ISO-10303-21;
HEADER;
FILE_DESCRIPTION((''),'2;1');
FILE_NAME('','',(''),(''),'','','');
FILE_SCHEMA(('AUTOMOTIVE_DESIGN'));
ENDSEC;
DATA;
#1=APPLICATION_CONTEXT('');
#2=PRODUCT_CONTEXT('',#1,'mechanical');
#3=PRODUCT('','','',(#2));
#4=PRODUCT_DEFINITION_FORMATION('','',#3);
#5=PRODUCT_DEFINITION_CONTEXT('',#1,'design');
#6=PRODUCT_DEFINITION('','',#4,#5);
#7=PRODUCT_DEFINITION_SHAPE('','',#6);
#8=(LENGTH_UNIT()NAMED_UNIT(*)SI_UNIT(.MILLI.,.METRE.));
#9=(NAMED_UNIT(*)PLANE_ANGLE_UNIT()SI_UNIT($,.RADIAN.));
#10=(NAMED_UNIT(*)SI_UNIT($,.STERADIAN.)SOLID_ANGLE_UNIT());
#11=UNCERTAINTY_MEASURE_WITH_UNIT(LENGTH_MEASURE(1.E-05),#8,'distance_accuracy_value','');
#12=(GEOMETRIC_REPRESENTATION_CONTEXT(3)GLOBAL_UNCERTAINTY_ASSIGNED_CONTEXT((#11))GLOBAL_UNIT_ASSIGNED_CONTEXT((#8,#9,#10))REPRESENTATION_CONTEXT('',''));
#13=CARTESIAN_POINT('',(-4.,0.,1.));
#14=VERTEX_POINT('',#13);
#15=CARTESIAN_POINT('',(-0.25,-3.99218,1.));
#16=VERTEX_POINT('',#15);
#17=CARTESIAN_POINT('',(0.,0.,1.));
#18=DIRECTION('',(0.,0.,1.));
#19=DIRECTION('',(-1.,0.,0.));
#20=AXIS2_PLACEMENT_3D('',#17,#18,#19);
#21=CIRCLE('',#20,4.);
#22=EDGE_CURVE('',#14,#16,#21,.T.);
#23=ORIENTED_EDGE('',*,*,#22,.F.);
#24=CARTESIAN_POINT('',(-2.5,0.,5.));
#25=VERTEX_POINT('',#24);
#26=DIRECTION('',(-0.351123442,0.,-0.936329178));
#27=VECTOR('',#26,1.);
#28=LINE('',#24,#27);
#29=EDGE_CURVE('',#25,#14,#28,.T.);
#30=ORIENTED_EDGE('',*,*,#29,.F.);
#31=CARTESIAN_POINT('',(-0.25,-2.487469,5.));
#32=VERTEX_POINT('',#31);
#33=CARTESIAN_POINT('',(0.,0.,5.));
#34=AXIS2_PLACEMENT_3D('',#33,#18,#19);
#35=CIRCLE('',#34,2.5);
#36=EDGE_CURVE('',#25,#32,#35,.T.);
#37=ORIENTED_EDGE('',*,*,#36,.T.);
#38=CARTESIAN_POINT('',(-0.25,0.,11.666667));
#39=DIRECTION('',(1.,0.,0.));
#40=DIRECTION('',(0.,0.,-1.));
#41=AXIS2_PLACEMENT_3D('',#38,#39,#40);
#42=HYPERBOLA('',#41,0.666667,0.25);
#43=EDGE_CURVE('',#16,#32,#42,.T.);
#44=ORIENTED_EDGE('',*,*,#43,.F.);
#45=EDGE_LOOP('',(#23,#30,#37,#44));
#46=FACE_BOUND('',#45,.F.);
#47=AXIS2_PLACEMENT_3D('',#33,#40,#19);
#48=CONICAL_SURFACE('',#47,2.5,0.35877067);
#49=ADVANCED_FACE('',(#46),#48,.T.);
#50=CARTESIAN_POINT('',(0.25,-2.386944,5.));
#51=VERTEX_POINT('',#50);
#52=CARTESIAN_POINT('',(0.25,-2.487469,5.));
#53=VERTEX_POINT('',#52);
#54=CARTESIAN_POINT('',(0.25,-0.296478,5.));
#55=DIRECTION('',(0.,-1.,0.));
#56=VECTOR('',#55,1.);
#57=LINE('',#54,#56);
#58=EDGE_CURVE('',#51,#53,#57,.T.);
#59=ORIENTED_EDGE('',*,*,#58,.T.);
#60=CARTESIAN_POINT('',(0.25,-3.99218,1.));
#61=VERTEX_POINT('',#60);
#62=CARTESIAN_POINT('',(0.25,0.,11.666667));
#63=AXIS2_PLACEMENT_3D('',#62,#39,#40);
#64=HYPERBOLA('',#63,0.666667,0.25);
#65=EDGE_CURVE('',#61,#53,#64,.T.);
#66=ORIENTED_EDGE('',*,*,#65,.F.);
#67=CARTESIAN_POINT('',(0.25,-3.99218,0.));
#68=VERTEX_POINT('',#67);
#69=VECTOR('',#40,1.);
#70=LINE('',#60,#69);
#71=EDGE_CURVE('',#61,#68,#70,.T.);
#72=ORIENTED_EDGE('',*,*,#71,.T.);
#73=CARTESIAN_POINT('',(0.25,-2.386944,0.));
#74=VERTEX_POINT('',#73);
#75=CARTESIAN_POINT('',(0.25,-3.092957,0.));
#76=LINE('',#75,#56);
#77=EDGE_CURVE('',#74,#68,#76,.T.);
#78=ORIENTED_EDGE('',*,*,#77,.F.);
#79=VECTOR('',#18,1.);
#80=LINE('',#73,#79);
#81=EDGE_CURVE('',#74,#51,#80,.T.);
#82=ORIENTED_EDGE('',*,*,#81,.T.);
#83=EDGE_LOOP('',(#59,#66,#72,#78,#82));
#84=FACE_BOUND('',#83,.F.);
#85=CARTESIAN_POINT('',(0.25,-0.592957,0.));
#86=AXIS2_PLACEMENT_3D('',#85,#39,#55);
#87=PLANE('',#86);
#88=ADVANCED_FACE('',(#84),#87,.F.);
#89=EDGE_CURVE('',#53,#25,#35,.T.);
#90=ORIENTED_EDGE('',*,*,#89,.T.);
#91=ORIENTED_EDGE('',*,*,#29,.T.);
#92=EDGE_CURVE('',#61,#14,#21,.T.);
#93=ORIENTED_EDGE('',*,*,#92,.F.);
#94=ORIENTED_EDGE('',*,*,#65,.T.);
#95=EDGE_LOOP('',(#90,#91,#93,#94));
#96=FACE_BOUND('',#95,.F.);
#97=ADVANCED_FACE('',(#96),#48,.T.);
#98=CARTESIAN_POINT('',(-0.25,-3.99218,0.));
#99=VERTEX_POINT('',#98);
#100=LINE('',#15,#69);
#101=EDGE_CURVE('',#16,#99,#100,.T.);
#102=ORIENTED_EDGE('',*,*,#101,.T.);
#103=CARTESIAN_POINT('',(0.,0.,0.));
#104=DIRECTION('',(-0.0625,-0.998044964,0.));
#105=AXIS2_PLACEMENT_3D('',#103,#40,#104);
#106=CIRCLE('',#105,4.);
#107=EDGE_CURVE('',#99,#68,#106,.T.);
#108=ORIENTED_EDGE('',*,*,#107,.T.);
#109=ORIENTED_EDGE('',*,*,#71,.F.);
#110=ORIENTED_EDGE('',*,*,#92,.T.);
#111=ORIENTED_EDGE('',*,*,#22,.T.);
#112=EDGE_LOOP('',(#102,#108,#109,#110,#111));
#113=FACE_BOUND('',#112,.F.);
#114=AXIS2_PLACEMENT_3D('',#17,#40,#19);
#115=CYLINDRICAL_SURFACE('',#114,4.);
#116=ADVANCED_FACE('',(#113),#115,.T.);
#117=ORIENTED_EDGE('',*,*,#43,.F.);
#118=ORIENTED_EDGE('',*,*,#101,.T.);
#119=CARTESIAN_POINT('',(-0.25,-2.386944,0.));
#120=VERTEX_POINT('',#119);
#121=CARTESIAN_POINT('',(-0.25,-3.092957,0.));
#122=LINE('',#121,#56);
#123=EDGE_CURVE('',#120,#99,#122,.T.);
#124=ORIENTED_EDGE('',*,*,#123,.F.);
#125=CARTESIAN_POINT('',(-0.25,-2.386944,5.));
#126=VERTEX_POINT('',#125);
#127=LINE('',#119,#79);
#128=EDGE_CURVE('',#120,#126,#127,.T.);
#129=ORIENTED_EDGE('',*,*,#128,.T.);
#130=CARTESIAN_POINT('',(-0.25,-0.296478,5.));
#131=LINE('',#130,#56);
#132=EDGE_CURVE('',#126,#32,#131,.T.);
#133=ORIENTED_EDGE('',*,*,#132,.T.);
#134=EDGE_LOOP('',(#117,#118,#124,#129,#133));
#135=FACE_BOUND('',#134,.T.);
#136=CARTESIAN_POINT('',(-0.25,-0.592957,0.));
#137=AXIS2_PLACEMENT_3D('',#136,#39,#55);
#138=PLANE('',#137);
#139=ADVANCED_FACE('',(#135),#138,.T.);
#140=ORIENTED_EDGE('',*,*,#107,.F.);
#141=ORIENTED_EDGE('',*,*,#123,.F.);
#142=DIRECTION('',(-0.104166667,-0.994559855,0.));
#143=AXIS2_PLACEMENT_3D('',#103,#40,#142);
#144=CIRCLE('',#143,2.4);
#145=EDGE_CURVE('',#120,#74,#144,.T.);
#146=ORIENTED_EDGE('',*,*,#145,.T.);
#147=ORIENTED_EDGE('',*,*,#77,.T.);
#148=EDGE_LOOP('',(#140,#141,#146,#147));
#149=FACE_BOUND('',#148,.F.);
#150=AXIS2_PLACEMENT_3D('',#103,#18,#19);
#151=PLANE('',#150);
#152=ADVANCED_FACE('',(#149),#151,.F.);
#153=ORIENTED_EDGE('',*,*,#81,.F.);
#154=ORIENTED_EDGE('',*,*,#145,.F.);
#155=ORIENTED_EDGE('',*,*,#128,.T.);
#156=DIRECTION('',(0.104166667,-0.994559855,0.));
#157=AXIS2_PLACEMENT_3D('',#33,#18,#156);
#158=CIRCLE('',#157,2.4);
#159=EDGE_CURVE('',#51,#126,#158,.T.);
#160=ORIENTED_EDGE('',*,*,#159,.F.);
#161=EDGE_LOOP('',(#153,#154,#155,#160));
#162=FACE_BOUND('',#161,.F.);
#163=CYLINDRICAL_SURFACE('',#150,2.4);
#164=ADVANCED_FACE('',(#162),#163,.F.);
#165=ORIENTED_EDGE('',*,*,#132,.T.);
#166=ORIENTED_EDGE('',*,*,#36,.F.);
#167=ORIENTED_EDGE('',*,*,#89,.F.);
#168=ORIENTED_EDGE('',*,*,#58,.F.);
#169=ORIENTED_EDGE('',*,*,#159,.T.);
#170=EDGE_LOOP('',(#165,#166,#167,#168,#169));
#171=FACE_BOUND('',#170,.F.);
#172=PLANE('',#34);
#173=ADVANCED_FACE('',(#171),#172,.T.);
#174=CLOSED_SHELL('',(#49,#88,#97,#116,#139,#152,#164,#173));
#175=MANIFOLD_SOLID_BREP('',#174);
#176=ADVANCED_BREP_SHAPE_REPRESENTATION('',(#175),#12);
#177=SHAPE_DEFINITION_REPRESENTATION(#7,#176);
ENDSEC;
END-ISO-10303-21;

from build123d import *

# Parameters (mm, degrees)
F2_W     = 0.5
F2_H     = 5
F3_DEPTH = 25


with BuildPart() as f1:
    # F0 (on Front) → F1 (revolve)
    with BuildSketch(Plane.XZ):
        Polygon((-2.4, 0), (-2.4, 5), (-2.5, 5), (-4, 1), (-4, 0), align=None)
    revolve(axis=Axis((0, 0, -14.823614), (0, 0, 1)))

    # F2 (on face) → F3 (cut)
    with BuildSketch(Plane(origin=(0, 0, 0), x_dir=(1, 0, 0), z_dir=(0, 0, -1))):
        with Locations((0, 3.092957)):
            Rectangle(F2_W, F2_H)
    extrude(amount=-F3_DEPTH, mode=Mode.SUBTRACT)


solid = f1.part
